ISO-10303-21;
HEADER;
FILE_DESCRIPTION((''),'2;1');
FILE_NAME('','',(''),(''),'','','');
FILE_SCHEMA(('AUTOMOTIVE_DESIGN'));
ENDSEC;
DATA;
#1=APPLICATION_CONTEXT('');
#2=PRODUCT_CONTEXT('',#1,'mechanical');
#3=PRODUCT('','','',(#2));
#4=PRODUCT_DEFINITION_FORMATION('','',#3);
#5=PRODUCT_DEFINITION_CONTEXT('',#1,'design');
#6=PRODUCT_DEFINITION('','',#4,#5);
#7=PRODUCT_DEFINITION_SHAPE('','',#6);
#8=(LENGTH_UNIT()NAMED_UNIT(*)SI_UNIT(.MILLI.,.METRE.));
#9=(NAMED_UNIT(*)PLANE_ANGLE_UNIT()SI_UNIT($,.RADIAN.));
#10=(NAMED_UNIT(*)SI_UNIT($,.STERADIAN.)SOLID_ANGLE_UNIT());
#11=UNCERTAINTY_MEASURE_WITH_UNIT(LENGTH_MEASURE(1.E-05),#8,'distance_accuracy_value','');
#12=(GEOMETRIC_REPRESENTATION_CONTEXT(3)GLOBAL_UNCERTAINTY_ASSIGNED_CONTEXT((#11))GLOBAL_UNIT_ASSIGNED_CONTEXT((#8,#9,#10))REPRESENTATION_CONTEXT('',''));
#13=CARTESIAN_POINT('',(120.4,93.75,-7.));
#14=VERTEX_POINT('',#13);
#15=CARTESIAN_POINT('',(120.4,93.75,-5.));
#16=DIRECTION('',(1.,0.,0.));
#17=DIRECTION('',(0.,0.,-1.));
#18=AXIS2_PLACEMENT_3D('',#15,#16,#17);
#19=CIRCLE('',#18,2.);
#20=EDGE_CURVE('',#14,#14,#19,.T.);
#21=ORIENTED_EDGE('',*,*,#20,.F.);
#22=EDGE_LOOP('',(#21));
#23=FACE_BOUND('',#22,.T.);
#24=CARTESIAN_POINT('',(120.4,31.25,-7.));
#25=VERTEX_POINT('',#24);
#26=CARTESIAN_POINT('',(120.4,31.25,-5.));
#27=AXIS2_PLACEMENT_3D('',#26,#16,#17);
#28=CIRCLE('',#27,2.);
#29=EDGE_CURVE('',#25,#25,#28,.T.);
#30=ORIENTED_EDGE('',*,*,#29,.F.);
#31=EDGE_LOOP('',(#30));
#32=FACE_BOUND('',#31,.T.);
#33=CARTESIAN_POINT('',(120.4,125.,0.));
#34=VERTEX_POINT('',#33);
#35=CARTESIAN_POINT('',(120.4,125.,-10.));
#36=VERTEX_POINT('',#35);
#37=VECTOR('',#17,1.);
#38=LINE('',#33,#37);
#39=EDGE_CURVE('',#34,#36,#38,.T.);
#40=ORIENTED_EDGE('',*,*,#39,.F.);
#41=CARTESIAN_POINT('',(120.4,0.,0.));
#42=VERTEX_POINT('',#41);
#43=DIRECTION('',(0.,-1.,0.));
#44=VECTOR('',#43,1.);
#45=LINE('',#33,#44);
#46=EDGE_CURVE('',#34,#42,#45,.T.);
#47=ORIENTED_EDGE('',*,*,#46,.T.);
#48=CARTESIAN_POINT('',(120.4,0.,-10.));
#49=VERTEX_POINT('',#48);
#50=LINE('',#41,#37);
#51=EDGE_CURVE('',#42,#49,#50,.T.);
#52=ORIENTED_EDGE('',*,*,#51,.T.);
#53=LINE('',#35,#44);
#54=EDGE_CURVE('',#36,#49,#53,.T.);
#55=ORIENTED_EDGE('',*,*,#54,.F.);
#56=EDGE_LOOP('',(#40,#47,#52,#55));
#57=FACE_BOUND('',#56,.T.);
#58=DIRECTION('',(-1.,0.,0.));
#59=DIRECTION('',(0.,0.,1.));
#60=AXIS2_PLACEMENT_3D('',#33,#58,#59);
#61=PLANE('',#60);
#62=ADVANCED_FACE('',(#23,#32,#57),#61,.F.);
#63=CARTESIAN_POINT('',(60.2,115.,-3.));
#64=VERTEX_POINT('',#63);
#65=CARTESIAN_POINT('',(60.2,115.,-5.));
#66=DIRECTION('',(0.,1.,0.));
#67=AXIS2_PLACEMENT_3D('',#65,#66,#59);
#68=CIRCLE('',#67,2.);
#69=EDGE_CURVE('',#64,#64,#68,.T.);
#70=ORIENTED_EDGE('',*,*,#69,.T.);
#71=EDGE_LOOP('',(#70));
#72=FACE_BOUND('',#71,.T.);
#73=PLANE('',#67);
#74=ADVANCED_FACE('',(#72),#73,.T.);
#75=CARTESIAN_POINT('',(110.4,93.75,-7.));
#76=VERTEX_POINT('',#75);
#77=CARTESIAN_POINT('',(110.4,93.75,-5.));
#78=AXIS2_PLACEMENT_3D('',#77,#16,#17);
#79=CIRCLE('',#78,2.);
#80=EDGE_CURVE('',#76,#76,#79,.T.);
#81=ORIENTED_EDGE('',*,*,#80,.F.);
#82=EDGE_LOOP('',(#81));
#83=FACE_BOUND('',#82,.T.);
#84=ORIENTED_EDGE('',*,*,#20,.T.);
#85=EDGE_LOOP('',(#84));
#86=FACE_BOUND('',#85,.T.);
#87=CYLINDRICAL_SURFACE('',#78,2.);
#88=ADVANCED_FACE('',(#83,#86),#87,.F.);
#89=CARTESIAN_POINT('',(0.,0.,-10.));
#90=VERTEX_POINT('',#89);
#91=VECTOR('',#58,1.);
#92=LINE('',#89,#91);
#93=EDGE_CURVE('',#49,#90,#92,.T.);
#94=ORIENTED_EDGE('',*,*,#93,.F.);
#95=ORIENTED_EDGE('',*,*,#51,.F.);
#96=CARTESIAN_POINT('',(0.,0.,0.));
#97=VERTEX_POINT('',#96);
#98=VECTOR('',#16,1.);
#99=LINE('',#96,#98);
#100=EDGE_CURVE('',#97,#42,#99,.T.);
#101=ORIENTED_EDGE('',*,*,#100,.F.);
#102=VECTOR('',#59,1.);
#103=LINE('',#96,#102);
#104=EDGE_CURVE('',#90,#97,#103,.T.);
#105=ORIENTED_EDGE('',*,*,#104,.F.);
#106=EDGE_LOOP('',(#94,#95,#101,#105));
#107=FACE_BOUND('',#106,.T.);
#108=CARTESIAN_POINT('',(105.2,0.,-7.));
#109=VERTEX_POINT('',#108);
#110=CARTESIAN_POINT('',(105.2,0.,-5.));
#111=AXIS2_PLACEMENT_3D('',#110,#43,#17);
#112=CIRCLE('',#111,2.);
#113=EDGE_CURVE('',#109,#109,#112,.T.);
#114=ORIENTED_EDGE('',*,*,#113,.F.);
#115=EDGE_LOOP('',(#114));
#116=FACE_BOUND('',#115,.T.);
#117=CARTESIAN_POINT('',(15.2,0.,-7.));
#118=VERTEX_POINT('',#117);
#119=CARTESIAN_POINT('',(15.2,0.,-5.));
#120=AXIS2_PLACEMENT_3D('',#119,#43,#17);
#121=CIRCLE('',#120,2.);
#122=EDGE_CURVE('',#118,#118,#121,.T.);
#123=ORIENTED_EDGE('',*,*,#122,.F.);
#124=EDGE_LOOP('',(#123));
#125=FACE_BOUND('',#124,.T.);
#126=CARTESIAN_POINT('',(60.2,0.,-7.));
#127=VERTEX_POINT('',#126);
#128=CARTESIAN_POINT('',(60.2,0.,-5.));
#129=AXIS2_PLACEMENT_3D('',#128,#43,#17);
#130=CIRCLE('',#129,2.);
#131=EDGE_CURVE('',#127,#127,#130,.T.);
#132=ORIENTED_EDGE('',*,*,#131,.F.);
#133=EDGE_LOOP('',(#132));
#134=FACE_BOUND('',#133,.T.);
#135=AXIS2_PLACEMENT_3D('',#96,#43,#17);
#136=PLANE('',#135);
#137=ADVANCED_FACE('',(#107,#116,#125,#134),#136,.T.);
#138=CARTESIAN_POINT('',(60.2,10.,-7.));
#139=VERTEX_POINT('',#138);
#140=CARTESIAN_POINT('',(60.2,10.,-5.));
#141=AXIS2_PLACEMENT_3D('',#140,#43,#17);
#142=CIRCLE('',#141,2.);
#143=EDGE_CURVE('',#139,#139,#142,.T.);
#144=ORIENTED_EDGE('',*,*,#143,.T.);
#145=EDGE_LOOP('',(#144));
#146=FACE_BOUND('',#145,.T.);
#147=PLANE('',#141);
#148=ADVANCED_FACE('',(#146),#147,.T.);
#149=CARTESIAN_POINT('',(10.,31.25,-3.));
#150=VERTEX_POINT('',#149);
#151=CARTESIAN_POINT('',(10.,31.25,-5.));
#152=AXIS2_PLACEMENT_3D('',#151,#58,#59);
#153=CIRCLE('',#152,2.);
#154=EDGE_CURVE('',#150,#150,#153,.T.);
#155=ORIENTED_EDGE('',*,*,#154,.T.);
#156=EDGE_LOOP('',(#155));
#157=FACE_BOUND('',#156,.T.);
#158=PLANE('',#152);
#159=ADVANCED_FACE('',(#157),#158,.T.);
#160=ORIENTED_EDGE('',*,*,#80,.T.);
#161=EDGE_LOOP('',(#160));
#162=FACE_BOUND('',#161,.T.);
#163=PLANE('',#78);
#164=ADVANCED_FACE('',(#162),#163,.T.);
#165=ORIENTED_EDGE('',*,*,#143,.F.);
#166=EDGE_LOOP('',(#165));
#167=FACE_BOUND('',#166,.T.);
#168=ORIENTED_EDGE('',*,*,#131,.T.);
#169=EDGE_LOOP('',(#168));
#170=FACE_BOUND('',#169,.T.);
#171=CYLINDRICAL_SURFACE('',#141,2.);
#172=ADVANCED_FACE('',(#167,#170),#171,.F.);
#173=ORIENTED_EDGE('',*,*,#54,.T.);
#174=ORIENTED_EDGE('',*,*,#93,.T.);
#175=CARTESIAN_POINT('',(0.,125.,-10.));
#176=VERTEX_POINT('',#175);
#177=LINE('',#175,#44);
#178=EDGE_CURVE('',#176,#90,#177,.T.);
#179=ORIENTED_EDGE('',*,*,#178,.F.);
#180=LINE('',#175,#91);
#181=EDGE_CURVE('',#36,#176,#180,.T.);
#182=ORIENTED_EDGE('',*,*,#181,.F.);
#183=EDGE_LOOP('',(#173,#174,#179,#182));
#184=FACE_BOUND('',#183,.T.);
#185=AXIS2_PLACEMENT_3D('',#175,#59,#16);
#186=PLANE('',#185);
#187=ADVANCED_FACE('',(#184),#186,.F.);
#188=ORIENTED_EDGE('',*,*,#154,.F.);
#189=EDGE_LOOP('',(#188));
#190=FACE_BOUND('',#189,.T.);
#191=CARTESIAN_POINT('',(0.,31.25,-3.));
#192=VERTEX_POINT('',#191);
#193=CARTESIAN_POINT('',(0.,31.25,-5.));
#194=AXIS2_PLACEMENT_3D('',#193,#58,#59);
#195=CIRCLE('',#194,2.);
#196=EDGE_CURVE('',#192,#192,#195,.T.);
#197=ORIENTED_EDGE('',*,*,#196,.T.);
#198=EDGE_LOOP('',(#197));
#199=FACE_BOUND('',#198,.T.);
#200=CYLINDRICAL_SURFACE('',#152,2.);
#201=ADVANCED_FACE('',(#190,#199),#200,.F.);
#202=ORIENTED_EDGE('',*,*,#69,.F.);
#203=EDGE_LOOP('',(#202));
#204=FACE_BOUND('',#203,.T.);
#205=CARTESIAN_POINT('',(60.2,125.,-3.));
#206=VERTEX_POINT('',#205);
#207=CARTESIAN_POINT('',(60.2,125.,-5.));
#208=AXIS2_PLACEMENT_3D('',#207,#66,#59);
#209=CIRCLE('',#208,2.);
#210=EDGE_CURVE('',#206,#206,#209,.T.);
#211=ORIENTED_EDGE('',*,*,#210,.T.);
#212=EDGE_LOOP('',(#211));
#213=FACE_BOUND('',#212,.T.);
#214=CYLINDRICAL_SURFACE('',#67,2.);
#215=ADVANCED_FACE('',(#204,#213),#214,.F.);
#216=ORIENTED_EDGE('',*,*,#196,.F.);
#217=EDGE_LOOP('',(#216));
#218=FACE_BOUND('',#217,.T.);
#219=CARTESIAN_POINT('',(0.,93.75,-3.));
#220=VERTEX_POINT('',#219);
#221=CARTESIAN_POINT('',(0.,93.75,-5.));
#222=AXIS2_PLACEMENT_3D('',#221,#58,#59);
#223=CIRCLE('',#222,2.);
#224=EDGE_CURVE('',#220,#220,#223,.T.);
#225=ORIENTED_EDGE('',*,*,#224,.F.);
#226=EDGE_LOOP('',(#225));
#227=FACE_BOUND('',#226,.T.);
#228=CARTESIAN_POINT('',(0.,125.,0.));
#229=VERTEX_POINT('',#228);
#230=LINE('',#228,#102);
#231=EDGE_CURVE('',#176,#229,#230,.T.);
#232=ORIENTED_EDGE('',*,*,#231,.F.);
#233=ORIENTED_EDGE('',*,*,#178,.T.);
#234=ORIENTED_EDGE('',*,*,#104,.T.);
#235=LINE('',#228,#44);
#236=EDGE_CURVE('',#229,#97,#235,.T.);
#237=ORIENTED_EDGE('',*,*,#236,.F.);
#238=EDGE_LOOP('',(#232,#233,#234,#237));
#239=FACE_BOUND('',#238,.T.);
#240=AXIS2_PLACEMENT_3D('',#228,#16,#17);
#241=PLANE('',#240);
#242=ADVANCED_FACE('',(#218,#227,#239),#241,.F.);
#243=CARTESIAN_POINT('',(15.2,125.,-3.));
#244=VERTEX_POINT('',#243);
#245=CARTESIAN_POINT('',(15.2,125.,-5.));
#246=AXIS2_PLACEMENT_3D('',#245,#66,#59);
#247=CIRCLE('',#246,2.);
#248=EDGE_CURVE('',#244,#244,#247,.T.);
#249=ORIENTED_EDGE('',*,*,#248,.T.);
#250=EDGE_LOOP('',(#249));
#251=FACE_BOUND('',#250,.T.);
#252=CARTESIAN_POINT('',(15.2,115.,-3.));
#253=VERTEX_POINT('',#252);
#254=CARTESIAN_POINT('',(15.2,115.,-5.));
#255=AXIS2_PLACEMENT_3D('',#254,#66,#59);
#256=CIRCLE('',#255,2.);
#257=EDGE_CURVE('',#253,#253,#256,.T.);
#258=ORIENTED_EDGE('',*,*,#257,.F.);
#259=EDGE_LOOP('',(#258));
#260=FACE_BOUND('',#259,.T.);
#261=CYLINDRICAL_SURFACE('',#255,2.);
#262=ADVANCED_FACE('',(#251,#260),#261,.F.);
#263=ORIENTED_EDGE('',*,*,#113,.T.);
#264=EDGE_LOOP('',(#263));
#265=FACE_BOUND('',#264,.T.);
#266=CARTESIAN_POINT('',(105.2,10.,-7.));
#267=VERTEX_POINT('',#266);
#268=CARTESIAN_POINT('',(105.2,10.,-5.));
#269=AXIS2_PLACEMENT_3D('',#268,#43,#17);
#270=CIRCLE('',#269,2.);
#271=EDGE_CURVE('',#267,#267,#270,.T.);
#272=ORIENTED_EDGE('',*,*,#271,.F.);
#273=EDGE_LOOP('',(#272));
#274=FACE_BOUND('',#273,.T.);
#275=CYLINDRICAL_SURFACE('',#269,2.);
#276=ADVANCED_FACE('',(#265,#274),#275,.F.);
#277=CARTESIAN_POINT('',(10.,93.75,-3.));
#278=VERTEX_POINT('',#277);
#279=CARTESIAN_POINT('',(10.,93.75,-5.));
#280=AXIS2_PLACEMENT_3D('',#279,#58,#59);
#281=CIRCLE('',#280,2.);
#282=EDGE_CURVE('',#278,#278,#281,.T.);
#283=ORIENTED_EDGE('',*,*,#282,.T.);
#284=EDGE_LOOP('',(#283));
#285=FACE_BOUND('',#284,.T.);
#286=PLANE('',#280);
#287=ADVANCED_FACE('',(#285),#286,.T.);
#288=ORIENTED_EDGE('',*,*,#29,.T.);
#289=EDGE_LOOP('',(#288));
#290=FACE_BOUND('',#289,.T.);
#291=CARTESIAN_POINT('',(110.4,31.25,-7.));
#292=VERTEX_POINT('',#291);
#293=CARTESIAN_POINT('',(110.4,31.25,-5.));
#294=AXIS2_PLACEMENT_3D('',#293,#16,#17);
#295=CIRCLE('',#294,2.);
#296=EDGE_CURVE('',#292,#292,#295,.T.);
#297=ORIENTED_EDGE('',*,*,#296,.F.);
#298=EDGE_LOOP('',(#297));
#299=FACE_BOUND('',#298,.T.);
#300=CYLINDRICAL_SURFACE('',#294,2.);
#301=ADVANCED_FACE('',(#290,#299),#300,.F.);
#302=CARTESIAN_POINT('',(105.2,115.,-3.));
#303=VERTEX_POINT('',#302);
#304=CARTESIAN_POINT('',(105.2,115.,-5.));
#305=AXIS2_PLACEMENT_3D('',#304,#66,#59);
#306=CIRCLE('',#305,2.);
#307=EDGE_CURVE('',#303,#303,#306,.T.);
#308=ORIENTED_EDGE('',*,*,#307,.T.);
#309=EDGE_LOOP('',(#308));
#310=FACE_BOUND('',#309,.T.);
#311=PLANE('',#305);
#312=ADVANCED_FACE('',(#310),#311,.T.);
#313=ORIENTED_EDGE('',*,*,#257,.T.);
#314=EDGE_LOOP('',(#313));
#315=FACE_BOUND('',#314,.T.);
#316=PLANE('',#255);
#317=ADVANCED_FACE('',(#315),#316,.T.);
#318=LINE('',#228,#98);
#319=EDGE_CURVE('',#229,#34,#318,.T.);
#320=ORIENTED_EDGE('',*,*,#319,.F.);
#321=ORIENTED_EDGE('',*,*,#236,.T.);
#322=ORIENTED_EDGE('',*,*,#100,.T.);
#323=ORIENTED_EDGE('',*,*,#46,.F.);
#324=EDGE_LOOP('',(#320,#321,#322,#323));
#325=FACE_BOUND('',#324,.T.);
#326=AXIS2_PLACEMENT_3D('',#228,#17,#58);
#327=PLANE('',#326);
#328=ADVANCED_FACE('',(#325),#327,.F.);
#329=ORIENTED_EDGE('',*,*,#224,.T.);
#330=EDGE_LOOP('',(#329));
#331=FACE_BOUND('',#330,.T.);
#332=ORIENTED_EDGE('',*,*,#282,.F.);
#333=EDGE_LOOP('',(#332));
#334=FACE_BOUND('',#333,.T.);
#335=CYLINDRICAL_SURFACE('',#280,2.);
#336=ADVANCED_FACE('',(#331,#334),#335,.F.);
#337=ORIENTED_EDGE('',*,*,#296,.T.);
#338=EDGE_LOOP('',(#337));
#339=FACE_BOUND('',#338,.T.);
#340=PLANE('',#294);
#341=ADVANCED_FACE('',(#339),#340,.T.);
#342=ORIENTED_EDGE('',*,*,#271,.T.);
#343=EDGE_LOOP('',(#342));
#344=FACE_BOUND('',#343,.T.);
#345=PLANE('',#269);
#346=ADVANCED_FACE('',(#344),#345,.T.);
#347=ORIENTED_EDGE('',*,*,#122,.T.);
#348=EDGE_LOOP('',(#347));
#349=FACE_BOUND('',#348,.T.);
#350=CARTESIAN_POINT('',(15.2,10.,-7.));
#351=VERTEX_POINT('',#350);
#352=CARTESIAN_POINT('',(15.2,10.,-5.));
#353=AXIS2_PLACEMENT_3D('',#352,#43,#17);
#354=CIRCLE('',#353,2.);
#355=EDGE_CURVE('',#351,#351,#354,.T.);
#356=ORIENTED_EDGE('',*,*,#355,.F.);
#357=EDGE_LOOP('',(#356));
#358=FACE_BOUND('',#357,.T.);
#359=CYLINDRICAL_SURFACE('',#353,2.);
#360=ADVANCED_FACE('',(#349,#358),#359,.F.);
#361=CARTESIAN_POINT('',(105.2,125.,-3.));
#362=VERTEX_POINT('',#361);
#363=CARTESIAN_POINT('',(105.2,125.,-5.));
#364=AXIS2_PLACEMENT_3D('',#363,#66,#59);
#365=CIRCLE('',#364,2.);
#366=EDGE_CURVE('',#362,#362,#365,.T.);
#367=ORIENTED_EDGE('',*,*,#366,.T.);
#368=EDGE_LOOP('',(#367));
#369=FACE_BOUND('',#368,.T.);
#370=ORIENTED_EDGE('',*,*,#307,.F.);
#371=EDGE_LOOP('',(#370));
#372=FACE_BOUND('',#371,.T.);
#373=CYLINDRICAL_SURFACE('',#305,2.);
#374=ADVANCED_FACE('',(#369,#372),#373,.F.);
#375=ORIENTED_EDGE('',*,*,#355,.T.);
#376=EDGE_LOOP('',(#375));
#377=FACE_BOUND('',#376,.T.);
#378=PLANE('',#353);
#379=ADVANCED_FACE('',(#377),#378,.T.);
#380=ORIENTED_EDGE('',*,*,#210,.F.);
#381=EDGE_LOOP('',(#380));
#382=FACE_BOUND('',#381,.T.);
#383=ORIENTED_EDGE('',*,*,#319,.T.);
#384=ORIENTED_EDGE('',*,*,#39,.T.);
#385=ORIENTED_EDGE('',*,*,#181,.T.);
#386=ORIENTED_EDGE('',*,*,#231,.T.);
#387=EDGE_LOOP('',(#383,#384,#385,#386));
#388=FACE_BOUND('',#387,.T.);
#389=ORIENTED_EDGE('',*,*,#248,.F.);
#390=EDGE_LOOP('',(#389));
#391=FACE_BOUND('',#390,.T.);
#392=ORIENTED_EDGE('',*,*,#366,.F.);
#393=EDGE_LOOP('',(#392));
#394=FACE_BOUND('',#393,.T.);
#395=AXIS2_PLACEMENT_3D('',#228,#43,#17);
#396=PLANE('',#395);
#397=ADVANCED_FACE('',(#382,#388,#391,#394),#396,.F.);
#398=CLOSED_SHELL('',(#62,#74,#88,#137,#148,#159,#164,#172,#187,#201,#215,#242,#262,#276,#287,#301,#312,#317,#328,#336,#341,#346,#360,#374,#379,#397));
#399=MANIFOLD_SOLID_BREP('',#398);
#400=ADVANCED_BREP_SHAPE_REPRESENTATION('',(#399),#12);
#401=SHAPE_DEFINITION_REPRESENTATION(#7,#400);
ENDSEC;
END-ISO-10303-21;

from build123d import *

# Parameters (mm, degrees)
SKETCH1_W                   = 120.4
SKETCH1_H                   = 10
DODANIE_WYCI_GNI_CIE1_DEPTH = 125
SZKIC1_R                    = 2
WYTNIJ_WYCI_GNI_CIE1_DEPTH  = 10
WYTNIJ_WYCI_GNI_CIE2_START  = -10
SZKIC2_R                    = 2
WYTNIJ_WYCI_GNI_CIE2_DEPTH  = 10
SZKIC3_R                    = 2
WYTNIJ_WYCI_GNI_CIE3_DEPTH  = 10
WYTNIJ_WYCI_GNI_CIE4_START  = -10
SZKIC4_R                    = 2
WYTNIJ_WYCI_GNI_CIE4_DEPTH  = 10


with BuildPart() as part:
    # Sketch1 → Dodanie-wyciągnięcie1 (new body)
    with BuildSketch(Plane(origin=(0, 0, 0), x_dir=(1, 0, 0), z_dir=(0, 1, 0))):
        with Locations((60.2, 5)):
            Rectangle(SKETCH1_W, SKETCH1_H)
    extrude(amount=DODANIE_WYCI_GNI_CIE1_DEPTH)

    # Szkic1 → Wytnij-wyciągnięcie1 (cut)
    with BuildSketch(Plane(origin=(0, 125, 0), x_dir=(1, 0, 0), z_dir=(0, 1, 0))):
        with Locations(Location((15.2, 5, 0), (0, 0, 270))):
            Circle(SZKIC1_R)
        with Locations(Location((60.2, 5, 0), (0, 0, 270))):
            Circle(SZKIC1_R)
        with Locations(Location((105.2, 5, 0), (0, 0, 270))):
            Circle(SZKIC1_R)
    extrude(amount=-WYTNIJ_WYCI_GNI_CIE1_DEPTH, mode=Mode.SUBTRACT)

    # Szkic2 → Wytnij-wyciągnięcie2 (cut)
    with BuildSketch(Plane.XZ.offset(WYTNIJ_WYCI_GNI_CIE2_START)):
        with Locations(Location((15.2, -5, 0), (0, 0, 90))):
            Circle(SZKIC2_R)
        with Locations(Location((60.2, -5, 0), (0, 0, 90))):
            Circle(SZKIC2_R)
        with Locations(Location((105.2, -5, 0), (0, 0, 90))):
            Circle(SZKIC2_R)
    extrude(amount=WYTNIJ_WYCI_GNI_CIE2_DEPTH, mode=Mode.SUBTRACT)

    # Szkic3 → Wytnij-wyciągnięcie3 (cut)
    with BuildSketch(Plane.ZY):
        with Locations((-5, 93.75)):
            Circle(SZKIC3_R)
        with Locations((-5, 31.25)):
            Circle(SZKIC3_R)
    extrude(amount=-WYTNIJ_WYCI_GNI_CIE3_DEPTH, mode=Mode.SUBTRACT)

    # Szkic4 → Wytnij-wyciągnięcie4 (cut)
    with BuildSketch(Plane(origin=(120.4, 0, 0), x_dir=(0, 0, -1), z_dir=(1, 0, 0)).offset(WYTNIJ_WYCI_GNI_CIE4_START)):
        with Locations(Location((5, 93.75, 0), (0, 0, 180))):
            Circle(SZKIC4_R)
        with Locations(Location((5, 31.25, 0), (0, 0, 180))):
            Circle(SZKIC4_R)
    extrude(amount=WYTNIJ_WYCI_GNI_CIE4_DEPTH, mode=Mode.SUBTRACT)


solid = part.part
